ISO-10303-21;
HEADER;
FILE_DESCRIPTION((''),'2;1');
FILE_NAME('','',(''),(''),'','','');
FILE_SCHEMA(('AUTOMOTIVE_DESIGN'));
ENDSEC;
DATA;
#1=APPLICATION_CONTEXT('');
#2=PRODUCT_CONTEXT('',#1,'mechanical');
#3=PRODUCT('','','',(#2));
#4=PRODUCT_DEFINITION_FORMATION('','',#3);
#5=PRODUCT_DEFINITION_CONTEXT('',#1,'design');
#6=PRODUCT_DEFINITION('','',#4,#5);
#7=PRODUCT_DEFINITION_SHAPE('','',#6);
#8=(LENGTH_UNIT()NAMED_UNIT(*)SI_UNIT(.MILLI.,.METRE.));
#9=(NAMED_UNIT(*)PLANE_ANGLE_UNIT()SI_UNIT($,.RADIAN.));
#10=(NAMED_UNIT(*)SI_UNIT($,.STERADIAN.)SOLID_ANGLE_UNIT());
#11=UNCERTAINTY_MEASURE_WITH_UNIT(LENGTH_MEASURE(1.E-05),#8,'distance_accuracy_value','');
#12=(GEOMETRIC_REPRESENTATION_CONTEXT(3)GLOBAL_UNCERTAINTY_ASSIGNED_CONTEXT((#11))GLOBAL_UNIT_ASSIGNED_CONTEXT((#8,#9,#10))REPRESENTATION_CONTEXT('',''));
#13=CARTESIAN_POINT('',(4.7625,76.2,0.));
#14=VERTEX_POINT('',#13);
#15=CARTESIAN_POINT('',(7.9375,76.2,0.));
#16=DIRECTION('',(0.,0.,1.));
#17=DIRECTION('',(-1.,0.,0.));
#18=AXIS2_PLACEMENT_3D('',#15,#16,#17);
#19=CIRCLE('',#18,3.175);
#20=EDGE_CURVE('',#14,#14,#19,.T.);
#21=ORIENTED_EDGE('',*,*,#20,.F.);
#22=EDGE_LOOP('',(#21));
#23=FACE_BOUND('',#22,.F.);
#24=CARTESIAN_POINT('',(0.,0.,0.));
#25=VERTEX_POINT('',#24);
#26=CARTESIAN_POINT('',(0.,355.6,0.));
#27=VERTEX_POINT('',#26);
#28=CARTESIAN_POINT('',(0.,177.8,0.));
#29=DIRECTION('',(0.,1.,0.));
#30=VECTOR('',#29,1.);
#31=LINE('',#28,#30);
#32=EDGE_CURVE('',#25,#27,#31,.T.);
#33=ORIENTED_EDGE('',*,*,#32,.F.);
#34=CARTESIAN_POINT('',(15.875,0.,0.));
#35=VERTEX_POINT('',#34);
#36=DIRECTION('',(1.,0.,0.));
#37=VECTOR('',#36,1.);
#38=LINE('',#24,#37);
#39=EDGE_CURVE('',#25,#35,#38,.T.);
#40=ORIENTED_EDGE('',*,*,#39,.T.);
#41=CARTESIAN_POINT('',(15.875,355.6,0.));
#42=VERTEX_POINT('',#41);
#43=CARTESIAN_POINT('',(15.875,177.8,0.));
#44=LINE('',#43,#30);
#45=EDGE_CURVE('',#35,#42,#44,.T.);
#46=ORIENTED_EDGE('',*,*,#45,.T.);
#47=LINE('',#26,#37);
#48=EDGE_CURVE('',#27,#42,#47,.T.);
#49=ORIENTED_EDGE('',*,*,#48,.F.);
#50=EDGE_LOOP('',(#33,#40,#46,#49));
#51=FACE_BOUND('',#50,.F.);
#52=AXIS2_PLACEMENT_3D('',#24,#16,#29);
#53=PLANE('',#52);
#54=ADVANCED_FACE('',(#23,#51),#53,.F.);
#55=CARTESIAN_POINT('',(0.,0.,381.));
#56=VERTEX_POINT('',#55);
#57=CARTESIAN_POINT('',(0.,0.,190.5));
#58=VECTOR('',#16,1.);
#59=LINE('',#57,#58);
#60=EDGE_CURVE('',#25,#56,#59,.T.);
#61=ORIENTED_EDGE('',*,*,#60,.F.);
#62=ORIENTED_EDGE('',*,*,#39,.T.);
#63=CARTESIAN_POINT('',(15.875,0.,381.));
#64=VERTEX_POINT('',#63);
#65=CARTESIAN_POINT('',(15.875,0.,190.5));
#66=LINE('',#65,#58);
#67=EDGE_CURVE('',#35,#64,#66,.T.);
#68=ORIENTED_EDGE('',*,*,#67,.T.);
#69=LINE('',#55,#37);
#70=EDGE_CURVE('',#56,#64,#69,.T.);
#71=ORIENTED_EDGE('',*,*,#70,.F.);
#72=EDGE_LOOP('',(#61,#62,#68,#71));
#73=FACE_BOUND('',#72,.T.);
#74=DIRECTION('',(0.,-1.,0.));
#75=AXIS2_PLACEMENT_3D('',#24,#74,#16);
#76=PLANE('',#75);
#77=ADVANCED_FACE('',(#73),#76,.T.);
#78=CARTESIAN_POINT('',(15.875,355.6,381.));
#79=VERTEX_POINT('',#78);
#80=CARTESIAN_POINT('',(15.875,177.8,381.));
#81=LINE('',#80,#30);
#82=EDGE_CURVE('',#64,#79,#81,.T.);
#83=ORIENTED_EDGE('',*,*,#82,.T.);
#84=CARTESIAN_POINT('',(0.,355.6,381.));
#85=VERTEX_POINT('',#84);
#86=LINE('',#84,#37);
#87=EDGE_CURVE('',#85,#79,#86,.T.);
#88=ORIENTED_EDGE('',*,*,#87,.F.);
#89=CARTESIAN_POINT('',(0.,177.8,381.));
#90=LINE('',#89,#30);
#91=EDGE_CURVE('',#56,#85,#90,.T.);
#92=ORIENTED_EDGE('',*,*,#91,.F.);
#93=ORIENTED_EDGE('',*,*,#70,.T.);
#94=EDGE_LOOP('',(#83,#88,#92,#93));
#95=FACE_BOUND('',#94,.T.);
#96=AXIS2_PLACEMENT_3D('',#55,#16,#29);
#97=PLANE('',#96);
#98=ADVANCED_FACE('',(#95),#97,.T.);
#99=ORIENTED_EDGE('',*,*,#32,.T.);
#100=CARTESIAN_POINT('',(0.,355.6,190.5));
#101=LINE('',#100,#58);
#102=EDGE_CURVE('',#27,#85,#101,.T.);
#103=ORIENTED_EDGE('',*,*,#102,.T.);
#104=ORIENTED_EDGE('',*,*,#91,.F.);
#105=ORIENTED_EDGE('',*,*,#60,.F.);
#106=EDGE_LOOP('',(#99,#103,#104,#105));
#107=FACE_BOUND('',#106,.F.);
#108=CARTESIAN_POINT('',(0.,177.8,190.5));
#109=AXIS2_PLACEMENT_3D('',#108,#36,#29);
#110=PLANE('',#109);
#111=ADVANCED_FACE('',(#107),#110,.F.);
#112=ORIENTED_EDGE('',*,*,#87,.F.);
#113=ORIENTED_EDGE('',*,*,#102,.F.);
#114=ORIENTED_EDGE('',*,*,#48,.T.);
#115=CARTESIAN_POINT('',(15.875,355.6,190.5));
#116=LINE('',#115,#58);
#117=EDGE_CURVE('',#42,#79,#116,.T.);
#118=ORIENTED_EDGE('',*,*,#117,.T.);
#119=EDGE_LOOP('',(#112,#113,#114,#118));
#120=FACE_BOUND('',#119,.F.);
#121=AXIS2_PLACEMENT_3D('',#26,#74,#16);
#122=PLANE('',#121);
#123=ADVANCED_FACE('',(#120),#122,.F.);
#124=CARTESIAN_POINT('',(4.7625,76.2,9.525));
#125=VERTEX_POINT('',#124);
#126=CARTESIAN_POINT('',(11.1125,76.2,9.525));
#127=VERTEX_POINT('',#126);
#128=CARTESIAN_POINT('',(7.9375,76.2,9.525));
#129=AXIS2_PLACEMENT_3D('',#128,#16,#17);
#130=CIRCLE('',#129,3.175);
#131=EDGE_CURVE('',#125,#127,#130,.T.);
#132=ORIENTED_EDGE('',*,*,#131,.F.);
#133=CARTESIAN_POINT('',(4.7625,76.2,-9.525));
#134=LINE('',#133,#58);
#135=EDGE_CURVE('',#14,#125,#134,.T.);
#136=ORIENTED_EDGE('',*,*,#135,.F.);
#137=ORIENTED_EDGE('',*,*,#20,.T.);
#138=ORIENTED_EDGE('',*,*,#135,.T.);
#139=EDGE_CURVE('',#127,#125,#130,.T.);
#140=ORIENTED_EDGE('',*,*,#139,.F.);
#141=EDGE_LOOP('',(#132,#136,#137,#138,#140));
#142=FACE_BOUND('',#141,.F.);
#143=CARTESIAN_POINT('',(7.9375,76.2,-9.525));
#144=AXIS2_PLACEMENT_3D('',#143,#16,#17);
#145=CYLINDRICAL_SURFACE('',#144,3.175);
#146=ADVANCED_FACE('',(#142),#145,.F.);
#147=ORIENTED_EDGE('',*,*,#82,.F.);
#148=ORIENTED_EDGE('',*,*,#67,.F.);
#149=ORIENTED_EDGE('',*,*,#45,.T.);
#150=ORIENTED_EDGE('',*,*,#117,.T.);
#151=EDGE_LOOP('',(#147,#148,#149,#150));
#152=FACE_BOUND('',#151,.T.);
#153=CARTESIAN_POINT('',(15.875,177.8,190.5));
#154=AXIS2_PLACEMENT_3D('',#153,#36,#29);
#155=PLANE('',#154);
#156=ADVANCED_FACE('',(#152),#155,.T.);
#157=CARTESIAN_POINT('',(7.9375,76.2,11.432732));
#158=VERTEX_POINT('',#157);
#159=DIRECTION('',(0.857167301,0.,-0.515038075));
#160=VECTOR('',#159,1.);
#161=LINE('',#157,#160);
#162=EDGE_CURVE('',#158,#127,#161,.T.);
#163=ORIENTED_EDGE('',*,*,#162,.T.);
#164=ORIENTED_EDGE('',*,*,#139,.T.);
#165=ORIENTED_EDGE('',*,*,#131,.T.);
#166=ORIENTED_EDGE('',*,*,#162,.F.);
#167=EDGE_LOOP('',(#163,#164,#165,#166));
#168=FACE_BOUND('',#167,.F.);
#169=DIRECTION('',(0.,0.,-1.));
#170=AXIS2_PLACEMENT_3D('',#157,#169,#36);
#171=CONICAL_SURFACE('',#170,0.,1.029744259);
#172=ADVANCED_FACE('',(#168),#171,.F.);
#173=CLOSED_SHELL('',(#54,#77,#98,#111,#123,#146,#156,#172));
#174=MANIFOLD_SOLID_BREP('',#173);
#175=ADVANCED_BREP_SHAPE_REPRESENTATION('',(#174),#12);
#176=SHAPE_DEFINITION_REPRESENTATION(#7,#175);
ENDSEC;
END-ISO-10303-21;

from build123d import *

# Parameters (mm, degrees)
F0_W     = 355.6
F0_H     = 381
F1_DEPTH = 15.875
F3_D     = 6.35
F3_DEPTH = 9.525
F3_TIP   = 1.9077324654


with BuildPart() as f1:
    # F0 (on Right) → F1 (new body)
    with BuildSketch(Plane.YZ):
        with Locations((177.8, 190.5)):
            Rectangle(F0_W, F0_H)
    extrude(amount=F1_DEPTH)

    # F3
    with Locations(Plane(origin=(0, 0, 0), x_dir=(1, 0, 0), z_dir=(0, 0, -1))):
        with Locations((7.9375, -76.2)):
            Hole(F3_D / 2, depth=F3_DEPTH)
            with Locations((0, 0, -(F3_DEPTH + F3_TIP / 2))):  # 118° drill point
                Cone(0, F3_D / 2, F3_TIP, mode=Mode.SUBTRACT)


solid = f1.part
